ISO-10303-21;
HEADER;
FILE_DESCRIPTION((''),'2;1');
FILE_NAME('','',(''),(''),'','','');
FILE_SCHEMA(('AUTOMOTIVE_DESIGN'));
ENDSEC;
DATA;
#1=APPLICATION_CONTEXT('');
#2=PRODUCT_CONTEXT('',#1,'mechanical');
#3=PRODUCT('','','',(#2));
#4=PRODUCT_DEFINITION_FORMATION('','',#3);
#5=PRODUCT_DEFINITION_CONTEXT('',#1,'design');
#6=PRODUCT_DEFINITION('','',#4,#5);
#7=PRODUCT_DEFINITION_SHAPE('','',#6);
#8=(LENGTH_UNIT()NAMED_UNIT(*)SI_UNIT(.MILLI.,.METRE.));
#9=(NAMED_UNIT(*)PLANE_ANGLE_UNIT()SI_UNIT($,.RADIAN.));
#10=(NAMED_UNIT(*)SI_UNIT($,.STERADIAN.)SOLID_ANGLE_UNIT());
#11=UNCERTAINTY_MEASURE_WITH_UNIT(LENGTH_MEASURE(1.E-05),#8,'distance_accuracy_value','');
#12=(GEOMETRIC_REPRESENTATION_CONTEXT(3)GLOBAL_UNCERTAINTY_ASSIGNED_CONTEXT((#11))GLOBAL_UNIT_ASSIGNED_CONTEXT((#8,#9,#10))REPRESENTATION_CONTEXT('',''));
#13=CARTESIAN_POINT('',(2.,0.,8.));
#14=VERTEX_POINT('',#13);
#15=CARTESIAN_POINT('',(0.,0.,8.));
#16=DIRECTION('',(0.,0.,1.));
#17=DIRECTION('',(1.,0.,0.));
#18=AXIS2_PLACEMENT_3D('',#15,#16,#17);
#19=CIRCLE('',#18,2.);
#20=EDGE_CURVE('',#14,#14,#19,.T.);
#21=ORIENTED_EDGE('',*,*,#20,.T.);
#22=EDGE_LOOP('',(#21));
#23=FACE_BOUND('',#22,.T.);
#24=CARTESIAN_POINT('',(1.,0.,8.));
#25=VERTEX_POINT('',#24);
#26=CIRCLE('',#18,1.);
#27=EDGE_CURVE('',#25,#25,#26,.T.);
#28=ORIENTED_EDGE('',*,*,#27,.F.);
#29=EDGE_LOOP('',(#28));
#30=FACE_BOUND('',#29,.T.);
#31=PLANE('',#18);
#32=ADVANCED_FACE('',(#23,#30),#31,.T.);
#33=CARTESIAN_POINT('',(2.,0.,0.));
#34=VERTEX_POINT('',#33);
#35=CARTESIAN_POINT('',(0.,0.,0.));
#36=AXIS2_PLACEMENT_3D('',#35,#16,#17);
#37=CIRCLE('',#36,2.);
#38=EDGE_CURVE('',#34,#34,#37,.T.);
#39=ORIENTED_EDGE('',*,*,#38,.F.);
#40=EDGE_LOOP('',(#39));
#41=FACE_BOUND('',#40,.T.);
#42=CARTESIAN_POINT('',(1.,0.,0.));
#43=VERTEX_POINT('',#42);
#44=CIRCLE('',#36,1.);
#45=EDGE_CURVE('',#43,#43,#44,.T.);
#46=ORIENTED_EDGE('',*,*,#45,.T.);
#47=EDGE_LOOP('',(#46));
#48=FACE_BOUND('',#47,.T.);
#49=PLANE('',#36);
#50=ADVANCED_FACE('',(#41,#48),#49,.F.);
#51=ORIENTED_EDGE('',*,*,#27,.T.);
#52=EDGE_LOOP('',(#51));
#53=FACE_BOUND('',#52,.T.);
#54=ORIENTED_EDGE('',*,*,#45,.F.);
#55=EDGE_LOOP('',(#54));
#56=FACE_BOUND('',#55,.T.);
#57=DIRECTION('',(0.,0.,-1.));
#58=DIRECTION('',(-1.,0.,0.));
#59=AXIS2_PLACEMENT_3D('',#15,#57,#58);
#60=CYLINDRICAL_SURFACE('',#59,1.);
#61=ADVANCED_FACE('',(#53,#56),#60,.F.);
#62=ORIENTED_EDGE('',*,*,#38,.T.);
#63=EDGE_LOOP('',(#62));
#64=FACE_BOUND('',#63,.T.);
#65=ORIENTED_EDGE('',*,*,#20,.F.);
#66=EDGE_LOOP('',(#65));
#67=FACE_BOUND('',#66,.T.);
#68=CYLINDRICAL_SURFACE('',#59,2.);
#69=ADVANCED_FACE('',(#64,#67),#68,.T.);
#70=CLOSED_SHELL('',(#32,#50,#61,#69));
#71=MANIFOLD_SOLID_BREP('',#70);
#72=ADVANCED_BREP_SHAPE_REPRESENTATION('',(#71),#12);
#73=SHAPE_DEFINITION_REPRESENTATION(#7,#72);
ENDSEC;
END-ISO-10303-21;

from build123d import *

# Parameters (mm, degrees)
SKETCH_1_R      = 2
SKETCH_1_R_2    = 1
EXTRUDE_1_DEPTH = 8


with BuildPart() as part:
    # 草图1 → 凸台-拉伸1 (new body)
    with BuildSketch(Plane.XY):
        Circle(SKETCH_1_R)
        Circle(SKETCH_1_R_2, mode=Mode.SUBTRACT)
    extrude(amount=EXTRUDE_1_DEPTH)


solid = part.part
